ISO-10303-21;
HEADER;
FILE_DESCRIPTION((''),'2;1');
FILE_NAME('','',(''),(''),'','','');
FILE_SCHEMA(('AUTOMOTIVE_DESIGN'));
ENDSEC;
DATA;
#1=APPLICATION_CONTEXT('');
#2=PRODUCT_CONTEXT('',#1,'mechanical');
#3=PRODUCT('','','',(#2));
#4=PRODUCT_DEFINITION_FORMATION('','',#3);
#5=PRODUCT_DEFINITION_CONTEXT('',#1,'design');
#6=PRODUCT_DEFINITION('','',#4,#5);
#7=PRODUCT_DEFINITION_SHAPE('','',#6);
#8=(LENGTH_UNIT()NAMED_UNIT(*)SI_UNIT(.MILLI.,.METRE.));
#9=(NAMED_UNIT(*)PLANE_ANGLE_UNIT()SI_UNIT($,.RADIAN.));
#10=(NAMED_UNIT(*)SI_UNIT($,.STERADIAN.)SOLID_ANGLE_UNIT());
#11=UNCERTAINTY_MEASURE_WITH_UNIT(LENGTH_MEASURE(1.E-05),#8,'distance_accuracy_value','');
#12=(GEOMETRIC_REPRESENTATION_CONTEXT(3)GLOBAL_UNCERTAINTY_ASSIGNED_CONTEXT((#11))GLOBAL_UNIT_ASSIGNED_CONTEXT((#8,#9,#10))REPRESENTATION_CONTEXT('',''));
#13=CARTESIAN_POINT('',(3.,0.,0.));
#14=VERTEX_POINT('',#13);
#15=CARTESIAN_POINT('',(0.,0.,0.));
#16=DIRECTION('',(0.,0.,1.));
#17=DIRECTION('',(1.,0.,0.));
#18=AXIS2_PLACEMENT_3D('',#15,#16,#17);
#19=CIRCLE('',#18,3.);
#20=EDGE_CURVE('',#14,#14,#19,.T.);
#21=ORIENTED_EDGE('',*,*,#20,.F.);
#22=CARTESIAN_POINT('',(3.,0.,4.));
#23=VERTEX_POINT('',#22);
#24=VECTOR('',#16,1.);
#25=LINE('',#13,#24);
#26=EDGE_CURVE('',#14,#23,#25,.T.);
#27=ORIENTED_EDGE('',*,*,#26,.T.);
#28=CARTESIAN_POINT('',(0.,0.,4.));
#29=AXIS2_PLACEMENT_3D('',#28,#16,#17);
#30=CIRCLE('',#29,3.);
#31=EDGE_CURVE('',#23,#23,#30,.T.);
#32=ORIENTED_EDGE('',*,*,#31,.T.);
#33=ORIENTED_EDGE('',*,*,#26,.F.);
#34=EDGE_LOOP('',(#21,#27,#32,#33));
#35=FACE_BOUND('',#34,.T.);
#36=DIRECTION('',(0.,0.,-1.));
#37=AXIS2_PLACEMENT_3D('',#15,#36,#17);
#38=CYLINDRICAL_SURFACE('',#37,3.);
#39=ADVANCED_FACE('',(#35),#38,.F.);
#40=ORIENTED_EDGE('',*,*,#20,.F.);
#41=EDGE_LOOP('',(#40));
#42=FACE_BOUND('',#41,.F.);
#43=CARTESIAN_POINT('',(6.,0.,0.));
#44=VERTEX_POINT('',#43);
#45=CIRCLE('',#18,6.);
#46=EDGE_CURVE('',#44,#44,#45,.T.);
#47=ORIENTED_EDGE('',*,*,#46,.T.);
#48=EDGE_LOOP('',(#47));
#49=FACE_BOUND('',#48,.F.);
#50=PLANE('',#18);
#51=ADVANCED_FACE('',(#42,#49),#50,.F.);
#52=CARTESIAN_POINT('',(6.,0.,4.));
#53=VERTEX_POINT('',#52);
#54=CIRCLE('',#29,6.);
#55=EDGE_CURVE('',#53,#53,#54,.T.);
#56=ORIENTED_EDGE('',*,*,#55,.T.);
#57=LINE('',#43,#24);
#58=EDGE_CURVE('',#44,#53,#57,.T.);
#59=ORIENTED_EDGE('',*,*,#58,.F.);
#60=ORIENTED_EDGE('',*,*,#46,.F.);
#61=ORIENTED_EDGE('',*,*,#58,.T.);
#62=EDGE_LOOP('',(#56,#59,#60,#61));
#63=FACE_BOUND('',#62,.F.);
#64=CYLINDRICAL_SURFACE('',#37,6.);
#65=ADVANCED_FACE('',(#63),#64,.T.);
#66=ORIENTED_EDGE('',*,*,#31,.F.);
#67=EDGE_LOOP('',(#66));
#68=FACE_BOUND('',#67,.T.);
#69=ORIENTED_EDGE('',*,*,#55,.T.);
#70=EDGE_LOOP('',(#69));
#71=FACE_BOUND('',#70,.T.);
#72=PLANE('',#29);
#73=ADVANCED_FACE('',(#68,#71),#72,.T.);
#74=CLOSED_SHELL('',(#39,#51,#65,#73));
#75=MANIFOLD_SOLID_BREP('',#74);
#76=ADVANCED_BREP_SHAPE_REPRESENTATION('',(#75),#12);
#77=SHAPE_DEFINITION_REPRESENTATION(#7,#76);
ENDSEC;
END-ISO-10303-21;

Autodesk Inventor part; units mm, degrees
ref_plane "YZ Plane" through (0, 0, 0) normal (1, 0, 0) x (0, 1, 0)
ref_plane "XZ Plane" through (0, 0, 0) normal (0, 1, 0) x (-1, 0, 0)
ref_plane "XY Plane" through (0, 0, 0) normal (0, 0, 1) x (1, 0, 0)
sketch "スケッチ1" plane through (0, 0, 0) normal (0, 0, 1) x (1, 0, 0)
  circle A0 centre (0, 0) radius 3
  circle A1 centre (0, 0) radius 6
  dimension "d0" = 6
  dimension "d1" = 12
extrude "押し出し1" add sketch "スケッチ1" along normal blind 4
properties part number "オイレス グライトロン0612,4t" material "アセタール樹脂、黒"
